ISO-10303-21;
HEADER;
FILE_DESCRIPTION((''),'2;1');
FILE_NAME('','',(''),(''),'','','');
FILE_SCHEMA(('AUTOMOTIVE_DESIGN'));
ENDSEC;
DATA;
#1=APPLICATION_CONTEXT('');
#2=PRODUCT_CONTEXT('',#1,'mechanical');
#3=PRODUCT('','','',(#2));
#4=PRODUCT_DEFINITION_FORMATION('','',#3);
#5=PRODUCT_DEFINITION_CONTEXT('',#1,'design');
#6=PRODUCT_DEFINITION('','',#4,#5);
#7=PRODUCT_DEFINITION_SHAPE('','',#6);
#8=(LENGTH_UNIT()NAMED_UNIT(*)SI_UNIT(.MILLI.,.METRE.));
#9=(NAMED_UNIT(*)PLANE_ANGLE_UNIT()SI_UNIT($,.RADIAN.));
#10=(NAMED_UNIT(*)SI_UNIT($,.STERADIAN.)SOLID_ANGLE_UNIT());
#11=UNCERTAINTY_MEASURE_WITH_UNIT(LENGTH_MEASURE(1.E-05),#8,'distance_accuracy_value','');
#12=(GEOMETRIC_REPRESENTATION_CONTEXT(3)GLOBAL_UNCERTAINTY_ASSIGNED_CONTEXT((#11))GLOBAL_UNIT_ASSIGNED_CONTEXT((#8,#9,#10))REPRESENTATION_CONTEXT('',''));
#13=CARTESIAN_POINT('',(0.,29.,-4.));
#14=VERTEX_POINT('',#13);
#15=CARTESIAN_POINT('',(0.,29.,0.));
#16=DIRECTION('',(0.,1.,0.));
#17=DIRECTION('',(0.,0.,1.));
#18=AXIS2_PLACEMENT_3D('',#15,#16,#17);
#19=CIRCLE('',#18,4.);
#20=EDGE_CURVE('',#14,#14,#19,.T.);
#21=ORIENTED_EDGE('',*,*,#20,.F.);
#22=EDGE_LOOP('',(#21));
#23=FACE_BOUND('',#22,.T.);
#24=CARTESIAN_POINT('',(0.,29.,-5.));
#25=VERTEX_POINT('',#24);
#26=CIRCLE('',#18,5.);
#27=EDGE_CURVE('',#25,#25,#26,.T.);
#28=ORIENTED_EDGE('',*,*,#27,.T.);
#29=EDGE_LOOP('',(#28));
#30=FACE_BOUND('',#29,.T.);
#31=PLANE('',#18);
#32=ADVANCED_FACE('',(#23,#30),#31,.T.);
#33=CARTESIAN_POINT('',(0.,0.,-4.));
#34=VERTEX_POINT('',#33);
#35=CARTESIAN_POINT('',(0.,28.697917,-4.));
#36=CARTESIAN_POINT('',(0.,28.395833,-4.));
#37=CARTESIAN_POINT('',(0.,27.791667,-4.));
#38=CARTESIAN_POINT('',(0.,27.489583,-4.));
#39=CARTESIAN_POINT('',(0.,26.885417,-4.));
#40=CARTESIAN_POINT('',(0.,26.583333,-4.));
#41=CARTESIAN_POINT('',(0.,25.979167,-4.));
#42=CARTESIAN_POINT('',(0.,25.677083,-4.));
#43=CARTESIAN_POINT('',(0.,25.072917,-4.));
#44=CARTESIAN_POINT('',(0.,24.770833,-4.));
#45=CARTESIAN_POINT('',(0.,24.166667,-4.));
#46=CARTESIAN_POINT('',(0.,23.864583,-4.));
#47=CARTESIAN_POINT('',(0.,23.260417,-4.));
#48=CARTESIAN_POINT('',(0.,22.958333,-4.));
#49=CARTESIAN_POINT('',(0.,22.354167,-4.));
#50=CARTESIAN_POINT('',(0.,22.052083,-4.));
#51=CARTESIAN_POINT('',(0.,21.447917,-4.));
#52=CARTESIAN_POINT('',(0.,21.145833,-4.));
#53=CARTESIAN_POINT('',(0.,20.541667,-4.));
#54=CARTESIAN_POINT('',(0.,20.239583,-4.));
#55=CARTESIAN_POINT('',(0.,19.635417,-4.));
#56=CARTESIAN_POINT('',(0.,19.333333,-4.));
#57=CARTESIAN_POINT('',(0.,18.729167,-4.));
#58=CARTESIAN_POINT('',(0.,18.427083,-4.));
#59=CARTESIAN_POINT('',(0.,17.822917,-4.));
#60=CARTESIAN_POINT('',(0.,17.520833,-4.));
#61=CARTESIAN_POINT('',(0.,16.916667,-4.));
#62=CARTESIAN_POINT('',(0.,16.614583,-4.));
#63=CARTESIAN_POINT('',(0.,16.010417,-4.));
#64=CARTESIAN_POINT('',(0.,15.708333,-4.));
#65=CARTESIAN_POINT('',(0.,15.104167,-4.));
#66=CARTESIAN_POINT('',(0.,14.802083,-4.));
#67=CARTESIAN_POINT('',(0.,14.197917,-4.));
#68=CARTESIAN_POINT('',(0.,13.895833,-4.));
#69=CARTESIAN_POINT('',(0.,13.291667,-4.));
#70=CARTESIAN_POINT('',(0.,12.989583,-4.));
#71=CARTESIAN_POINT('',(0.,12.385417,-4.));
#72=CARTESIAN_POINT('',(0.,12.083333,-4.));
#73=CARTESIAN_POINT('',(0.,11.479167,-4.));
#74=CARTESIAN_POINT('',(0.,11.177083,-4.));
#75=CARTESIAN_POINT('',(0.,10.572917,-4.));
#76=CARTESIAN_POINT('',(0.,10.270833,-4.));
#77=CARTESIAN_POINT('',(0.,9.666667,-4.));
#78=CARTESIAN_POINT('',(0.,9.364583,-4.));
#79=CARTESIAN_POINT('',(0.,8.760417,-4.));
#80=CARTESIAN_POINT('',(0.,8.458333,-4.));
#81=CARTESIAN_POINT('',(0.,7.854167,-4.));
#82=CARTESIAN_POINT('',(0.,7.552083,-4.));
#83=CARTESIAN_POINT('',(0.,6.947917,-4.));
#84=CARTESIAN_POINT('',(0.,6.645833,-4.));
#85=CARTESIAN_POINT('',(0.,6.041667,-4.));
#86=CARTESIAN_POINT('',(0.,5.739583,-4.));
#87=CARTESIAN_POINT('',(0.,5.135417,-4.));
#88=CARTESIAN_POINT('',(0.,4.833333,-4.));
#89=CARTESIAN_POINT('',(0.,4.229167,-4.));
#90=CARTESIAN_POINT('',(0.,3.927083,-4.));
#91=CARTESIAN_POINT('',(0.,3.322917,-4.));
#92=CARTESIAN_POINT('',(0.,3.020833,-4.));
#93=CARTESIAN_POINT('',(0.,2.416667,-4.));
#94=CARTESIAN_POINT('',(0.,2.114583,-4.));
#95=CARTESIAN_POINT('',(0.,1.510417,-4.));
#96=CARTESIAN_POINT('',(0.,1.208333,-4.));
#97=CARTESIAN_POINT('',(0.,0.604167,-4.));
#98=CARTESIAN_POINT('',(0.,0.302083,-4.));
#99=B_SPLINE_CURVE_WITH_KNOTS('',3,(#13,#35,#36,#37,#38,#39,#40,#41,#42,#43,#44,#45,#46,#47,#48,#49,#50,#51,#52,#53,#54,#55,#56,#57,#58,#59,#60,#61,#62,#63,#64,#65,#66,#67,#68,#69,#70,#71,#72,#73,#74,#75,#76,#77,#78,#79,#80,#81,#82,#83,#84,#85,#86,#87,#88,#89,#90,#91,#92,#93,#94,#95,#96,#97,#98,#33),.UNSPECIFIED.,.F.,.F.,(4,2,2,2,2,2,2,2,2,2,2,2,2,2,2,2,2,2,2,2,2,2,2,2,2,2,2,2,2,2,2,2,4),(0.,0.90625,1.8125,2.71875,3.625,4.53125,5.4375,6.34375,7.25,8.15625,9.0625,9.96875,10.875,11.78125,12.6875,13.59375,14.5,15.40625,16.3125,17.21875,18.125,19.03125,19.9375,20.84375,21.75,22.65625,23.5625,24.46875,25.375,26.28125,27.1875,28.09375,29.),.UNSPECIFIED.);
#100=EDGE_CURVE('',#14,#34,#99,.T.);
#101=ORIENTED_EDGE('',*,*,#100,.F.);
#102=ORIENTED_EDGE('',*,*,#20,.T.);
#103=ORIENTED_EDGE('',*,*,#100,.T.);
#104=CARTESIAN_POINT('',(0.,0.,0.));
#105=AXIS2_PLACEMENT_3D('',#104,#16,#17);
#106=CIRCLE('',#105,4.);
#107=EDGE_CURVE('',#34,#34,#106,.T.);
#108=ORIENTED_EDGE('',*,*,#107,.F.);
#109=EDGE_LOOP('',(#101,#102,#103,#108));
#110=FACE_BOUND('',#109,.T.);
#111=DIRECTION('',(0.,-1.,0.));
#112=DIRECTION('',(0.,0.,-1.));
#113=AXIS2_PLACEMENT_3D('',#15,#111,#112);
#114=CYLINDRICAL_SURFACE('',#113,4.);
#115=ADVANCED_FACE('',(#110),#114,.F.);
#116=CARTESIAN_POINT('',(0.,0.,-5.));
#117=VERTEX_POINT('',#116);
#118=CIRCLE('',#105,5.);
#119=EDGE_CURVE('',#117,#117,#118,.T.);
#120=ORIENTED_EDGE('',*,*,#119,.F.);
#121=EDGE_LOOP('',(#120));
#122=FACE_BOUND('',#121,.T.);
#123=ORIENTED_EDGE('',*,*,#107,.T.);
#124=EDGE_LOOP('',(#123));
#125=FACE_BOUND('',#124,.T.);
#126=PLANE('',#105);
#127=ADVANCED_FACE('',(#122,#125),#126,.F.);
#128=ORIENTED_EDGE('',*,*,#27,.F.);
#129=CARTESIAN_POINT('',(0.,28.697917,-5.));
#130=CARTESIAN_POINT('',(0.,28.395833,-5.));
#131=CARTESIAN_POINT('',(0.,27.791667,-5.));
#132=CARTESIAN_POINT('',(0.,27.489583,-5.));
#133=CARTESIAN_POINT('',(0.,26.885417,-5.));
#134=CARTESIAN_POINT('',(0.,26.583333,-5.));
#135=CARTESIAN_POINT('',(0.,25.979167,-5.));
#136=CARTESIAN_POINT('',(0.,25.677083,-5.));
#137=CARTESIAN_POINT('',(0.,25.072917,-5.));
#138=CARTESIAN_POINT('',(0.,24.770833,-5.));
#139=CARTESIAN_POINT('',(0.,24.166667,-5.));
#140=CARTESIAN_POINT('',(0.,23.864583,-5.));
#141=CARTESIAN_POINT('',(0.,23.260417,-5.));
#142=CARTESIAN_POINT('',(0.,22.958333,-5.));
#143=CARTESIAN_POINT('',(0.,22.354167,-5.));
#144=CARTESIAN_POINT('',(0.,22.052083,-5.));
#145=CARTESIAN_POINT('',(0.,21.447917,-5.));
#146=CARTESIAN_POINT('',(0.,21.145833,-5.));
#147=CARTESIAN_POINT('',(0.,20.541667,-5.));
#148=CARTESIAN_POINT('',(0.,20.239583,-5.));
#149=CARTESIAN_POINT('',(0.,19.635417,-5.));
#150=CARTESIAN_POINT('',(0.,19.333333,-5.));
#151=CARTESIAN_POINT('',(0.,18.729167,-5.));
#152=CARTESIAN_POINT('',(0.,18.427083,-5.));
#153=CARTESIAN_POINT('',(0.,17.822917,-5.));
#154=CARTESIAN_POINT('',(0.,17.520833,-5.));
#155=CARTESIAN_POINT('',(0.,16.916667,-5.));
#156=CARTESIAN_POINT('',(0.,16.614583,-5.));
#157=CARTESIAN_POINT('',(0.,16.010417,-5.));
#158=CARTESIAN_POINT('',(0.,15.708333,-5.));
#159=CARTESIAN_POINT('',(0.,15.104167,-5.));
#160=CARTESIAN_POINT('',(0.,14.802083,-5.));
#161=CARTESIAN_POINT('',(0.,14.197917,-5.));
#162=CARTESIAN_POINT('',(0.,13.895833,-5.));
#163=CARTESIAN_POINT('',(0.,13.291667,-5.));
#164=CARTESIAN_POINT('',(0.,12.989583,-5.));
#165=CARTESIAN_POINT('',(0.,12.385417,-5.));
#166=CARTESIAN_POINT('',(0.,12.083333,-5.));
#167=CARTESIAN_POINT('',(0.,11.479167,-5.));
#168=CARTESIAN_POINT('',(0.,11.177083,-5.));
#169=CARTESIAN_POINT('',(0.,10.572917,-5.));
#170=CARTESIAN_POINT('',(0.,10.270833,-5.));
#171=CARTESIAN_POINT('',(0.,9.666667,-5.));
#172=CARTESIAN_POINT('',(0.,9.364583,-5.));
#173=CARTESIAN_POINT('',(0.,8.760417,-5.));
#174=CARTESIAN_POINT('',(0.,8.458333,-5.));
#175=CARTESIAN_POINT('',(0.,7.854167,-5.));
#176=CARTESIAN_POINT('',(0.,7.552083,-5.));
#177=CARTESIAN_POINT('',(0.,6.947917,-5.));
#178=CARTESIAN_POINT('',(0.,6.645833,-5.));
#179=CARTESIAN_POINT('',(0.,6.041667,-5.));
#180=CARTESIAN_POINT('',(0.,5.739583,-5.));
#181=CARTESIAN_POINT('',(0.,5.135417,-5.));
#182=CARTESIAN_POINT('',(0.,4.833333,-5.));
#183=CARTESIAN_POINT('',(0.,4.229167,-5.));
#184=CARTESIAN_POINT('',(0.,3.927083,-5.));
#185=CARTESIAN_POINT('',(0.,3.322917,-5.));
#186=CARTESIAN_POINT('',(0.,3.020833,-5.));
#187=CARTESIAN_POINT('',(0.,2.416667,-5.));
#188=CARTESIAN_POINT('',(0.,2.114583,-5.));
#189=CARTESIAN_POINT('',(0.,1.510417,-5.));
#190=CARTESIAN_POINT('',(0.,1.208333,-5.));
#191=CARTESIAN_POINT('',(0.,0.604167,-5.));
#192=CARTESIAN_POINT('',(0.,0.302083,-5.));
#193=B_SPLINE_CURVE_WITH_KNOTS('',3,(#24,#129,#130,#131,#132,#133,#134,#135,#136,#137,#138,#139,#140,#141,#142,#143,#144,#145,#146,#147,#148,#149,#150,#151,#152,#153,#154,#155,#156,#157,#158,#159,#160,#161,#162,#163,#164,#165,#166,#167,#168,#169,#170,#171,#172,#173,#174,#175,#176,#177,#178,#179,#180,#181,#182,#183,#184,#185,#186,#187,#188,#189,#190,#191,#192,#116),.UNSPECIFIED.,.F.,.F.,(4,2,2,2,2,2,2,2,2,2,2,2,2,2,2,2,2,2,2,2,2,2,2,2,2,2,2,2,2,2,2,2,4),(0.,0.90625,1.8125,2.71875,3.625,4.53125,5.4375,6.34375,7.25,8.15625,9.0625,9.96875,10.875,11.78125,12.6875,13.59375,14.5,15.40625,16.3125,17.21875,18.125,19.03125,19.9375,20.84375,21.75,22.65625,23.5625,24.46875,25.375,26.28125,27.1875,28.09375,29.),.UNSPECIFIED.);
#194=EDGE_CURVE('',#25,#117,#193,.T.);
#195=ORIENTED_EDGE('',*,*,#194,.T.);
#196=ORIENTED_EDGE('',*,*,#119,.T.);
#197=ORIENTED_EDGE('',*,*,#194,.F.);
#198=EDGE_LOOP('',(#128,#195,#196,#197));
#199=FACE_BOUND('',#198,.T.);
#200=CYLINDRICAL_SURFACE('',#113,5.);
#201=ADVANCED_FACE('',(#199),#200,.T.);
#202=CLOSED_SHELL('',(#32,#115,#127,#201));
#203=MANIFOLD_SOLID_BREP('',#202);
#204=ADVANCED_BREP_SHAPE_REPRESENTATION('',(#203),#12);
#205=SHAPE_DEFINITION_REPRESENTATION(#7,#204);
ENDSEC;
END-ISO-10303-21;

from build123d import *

# Parameters (mm, degrees)
SKETCH1_R           = 5
SKETCH1_R_2         = 4
BOSS_EXTRUDE1_DEPTH = 29


with BuildPart() as part:
    # Sketch1 → Boss-Extrude1 (new body)
    with BuildSketch(Plane(origin=(0, 0, 0), x_dir=(1, 0, 0), z_dir=(0, 1, 0))):
        with Locations(Location((0, 0, 0), (0, 0, 90))):
            Circle(SKETCH1_R)
        with Locations(Location((0, 0, 0), (0, 0, 90))):
            Circle(SKETCH1_R_2, mode=Mode.SUBTRACT)
    extrude(amount=BOSS_EXTRUDE1_DEPTH)


solid = part.part
